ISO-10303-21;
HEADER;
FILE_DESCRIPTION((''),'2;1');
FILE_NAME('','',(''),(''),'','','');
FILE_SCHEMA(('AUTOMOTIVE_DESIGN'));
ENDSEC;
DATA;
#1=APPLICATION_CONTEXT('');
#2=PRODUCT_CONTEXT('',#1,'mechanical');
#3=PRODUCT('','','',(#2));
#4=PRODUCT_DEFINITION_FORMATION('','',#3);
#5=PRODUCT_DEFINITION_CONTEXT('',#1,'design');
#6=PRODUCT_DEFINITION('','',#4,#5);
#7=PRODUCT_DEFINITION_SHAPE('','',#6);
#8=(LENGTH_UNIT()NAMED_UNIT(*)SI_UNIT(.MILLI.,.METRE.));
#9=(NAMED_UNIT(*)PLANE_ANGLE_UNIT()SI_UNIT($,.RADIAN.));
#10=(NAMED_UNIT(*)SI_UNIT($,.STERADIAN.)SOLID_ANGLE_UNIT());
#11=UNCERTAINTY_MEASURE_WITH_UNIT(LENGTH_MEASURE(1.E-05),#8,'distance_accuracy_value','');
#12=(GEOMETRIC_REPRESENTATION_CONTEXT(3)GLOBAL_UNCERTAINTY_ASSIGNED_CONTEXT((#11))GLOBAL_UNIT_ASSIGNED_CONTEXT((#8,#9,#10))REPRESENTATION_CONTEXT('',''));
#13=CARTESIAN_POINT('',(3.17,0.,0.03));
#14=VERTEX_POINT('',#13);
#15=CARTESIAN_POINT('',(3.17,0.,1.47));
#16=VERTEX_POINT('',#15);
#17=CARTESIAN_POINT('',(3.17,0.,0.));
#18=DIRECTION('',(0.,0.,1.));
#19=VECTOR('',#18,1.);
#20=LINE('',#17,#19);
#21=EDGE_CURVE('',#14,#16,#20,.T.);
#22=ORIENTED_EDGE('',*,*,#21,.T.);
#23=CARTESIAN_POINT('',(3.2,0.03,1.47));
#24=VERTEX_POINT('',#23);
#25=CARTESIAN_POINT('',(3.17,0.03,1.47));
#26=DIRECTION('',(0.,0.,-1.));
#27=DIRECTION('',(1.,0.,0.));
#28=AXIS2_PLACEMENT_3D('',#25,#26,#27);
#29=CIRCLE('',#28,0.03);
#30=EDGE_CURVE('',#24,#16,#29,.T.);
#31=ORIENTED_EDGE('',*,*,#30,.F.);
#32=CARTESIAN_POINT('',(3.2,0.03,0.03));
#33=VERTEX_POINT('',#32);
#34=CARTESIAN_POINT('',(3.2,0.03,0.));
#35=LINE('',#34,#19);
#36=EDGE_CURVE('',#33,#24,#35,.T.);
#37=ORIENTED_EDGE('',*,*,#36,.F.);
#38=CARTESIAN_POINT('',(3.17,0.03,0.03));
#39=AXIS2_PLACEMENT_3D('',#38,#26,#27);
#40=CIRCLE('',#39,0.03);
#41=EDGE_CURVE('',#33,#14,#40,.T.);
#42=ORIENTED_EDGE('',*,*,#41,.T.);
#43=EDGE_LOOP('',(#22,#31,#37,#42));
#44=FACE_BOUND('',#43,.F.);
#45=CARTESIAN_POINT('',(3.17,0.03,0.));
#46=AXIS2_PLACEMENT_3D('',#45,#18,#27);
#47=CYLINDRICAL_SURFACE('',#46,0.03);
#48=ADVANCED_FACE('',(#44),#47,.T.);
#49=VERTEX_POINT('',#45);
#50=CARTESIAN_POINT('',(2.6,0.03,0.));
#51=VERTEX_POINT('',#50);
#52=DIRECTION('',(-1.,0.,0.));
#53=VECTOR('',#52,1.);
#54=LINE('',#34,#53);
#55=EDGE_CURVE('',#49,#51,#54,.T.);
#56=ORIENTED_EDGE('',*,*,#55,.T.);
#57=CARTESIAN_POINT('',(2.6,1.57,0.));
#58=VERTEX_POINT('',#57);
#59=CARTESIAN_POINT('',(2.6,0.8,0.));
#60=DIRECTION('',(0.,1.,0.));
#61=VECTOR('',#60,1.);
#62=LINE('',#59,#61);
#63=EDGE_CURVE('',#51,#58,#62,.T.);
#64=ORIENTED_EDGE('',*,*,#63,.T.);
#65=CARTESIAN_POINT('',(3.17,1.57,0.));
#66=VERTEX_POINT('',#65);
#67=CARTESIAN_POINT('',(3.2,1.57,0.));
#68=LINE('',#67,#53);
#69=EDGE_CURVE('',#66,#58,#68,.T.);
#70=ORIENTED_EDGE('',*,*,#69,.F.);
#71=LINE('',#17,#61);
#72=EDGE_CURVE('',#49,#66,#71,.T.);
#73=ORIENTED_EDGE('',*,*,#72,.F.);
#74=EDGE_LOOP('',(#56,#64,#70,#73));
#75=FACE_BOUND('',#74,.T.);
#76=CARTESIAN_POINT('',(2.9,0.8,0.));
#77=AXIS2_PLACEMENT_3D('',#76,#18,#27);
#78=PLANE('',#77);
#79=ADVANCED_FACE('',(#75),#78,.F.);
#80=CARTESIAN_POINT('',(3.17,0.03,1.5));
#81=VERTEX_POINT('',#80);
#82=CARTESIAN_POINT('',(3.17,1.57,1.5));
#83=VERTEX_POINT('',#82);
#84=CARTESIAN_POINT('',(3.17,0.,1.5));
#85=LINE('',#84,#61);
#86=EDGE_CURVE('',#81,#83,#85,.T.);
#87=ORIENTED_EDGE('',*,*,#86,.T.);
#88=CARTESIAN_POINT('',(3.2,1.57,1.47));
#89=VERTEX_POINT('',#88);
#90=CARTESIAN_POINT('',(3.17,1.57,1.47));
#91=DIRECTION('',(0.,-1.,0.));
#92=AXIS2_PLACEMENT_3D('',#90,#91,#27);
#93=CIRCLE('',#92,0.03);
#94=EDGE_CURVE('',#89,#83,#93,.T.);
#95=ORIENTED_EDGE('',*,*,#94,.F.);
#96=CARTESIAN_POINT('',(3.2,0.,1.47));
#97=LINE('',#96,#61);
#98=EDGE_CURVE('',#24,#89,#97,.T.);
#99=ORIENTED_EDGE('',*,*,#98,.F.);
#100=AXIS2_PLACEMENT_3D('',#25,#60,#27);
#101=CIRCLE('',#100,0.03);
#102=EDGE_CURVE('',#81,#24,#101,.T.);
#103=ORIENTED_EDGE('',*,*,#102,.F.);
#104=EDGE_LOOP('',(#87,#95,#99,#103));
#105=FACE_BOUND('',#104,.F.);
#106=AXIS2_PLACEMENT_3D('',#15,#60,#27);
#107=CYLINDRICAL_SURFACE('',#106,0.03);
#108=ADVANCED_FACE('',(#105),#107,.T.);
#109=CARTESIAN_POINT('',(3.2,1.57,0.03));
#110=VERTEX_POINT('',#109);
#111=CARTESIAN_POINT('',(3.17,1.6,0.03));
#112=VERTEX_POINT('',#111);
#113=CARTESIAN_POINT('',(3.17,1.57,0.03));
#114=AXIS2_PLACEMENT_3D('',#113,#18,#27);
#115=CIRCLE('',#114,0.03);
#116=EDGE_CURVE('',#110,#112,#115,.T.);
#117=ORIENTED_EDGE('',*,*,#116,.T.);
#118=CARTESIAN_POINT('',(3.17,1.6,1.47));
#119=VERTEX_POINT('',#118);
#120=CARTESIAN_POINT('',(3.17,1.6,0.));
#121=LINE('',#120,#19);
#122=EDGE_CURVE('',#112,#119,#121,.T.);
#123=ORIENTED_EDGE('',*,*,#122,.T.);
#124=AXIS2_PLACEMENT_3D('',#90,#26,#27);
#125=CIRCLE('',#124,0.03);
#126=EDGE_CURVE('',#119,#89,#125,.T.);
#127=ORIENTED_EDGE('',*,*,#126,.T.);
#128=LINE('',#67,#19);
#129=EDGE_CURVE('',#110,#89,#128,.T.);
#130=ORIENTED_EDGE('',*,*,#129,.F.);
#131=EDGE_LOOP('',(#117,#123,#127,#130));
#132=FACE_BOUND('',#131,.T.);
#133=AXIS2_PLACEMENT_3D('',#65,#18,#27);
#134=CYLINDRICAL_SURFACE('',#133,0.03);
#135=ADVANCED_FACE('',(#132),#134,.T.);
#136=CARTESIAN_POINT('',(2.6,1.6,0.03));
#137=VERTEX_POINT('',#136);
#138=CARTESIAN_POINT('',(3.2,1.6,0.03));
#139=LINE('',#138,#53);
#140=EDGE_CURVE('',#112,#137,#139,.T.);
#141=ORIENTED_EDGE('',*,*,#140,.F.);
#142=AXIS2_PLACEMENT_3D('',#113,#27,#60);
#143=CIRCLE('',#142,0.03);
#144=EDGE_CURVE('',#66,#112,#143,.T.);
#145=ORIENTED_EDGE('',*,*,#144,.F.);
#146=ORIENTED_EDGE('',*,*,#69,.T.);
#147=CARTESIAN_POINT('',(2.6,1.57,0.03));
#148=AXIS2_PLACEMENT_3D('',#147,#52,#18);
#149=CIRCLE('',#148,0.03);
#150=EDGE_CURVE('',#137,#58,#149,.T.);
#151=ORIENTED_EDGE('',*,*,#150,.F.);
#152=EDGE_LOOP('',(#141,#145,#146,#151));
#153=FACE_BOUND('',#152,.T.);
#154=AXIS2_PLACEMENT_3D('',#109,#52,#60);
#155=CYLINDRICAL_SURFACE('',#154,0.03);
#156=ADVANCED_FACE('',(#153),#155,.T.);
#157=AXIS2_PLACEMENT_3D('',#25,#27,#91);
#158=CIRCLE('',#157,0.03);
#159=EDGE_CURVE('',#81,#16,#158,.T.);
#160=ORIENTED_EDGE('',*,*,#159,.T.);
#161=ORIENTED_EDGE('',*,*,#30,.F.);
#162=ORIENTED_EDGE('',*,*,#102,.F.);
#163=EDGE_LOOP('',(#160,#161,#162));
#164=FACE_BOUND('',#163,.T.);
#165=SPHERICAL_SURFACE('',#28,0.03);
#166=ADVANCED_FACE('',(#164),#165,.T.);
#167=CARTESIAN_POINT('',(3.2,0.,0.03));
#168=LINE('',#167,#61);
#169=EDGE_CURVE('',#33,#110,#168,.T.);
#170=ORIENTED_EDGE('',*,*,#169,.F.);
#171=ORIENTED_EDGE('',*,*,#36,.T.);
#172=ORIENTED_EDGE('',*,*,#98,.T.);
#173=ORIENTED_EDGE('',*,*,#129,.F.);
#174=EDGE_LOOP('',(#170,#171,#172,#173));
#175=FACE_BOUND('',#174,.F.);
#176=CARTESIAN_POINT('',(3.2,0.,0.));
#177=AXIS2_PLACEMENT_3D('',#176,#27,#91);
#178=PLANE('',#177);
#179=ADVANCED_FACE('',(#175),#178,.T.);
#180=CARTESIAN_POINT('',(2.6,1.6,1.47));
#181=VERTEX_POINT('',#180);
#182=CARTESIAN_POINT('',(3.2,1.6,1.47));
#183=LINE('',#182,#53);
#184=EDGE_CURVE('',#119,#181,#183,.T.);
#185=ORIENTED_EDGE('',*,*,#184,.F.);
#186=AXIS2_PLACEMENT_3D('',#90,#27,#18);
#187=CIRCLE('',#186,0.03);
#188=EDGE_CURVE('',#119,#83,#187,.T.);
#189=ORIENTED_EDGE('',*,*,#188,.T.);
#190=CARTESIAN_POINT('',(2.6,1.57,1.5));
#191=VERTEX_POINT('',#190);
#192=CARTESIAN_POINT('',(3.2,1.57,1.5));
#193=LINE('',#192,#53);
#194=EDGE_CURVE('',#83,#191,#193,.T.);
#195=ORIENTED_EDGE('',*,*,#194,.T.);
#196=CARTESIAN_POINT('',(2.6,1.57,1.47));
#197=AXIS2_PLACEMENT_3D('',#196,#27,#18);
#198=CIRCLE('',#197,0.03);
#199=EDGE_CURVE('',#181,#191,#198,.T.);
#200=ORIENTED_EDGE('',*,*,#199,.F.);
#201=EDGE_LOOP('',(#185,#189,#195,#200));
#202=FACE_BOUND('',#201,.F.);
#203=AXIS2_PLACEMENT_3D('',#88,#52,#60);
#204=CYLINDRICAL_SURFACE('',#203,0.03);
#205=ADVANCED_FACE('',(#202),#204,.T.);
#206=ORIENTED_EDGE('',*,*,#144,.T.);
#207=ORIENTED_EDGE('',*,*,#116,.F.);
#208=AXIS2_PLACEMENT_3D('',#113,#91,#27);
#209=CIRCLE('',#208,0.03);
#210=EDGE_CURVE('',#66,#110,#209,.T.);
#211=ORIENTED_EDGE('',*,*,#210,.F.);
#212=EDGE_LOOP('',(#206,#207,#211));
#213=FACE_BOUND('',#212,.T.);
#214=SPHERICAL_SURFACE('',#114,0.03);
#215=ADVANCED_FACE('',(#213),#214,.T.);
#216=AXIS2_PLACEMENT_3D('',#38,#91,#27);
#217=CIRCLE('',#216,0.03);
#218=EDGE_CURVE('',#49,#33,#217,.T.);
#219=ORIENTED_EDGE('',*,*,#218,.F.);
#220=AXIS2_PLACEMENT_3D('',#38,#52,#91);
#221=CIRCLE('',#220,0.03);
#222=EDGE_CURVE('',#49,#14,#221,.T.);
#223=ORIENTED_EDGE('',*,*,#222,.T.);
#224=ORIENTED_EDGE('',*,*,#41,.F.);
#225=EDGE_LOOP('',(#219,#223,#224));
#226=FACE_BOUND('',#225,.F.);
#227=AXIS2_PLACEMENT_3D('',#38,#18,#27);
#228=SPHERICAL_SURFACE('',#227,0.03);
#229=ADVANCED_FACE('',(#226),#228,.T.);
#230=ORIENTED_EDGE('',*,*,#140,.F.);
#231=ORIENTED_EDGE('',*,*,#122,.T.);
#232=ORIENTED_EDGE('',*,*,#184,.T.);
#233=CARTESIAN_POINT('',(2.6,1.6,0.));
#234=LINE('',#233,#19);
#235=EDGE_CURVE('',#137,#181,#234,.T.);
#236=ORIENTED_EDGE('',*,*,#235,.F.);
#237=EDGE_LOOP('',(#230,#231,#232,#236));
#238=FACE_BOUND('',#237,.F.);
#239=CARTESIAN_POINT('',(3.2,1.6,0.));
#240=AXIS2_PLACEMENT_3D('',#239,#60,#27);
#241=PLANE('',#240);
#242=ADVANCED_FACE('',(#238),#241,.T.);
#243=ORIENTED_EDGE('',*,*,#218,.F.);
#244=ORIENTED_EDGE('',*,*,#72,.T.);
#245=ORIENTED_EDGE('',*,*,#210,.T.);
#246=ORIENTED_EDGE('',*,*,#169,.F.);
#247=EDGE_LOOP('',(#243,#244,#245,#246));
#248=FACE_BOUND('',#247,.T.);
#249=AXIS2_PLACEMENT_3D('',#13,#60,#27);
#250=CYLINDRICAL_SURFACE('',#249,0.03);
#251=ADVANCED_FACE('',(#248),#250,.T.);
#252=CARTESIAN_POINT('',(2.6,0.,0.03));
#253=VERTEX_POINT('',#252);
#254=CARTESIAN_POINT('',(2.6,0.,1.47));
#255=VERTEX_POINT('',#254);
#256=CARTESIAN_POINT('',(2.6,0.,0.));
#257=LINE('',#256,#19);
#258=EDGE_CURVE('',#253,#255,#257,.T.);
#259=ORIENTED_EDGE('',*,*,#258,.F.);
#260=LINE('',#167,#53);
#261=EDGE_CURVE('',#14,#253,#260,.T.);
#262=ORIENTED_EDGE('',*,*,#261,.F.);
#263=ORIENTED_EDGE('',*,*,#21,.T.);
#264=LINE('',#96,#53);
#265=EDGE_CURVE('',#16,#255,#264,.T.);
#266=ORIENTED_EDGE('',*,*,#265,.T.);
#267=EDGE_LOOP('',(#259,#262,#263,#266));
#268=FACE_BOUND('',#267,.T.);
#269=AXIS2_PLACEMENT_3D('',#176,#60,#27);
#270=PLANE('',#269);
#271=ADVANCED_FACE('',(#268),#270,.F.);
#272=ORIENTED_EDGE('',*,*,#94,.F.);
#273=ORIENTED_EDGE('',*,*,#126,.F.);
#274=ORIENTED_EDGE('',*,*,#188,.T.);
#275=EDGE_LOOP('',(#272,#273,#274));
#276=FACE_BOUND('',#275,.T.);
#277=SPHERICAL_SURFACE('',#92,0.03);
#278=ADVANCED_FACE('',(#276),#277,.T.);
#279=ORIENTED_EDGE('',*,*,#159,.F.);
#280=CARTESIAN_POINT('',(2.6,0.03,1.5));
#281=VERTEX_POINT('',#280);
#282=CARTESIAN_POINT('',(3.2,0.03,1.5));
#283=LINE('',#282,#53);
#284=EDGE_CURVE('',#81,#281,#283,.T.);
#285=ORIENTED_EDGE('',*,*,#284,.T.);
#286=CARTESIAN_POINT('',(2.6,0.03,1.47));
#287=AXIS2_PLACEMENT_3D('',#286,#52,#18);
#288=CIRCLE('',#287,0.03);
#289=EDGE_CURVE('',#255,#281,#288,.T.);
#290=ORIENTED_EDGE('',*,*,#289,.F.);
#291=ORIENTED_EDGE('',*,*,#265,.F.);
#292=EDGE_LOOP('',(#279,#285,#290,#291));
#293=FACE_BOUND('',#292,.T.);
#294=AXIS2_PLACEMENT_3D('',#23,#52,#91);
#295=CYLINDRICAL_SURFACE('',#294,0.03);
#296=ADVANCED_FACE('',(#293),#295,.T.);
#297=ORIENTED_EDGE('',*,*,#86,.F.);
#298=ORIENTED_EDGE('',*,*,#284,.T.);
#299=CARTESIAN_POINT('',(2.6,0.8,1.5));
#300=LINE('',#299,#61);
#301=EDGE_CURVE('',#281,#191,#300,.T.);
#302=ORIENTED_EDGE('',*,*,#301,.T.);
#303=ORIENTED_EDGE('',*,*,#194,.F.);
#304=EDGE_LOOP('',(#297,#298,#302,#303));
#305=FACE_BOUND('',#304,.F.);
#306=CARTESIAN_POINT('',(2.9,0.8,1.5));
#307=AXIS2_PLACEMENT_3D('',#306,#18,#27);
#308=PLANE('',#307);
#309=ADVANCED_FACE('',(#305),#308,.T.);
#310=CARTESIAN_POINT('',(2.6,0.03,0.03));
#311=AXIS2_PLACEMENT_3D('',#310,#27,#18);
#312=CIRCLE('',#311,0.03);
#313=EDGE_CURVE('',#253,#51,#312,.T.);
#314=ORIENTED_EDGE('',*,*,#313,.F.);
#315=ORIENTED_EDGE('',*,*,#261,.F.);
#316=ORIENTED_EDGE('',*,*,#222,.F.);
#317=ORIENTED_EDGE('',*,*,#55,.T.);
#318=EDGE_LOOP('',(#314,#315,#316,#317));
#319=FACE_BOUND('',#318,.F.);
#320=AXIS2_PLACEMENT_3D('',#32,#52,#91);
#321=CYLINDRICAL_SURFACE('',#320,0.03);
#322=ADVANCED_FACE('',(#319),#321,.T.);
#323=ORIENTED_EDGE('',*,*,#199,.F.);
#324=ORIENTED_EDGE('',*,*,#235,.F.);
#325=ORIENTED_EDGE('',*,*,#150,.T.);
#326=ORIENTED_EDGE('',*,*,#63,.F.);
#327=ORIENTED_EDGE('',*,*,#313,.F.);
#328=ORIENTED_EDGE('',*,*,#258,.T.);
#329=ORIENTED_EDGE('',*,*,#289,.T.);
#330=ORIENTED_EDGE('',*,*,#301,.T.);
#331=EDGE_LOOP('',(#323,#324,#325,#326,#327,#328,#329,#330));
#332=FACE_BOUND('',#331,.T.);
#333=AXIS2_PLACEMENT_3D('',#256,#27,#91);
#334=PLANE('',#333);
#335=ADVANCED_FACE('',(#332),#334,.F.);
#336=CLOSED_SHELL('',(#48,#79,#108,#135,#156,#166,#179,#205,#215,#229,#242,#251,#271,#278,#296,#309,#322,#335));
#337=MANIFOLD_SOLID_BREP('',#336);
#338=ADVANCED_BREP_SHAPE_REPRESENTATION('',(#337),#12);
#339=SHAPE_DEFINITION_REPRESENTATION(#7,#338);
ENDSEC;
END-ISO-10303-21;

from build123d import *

# Parameters (mm, degrees)
BOX021_W     = 0.6
BOX021_H     = 1.6
BOX021_DEPTH = 1.5
FILLET027_R  = 0.03


with BuildPart() as fillet027:
    # Box021 → Box021 (new body)
    with BuildSketch(Plane.XY):
        with Locations((0.3, 0.8)):
            Rectangle(BOX021_W, BOX021_H)
    extrude(amount=BOX021_DEPTH)

    # Fillet027
    fillet027_edges = [fillet027.edges().sort_by_distance(p)[0] for p in [
        (0, 0, 0.75),
        (0, 0.8, 1.5),
        (0, 1.6, 0.75),
        (0, 0.8, 0),
        (0.3, 0, 0),
        (0.3, 0, 1.5),
        (0.3, 1.6, 0),
        (0.3, 1.6, 1.5),
    ]]
    fillet(fillet027_edges, radius=FILLET027_R)


with BuildPart() as part_mirroring019:
    # Part__Mirroring019: instance of Fillet027
    add(fillet027.part.mirror(Plane(origin=(1.6, 0, 0), x_dir=(0, -1, 0), z_dir=(1, 0, 0))))


solid = part_mirroring019.part
